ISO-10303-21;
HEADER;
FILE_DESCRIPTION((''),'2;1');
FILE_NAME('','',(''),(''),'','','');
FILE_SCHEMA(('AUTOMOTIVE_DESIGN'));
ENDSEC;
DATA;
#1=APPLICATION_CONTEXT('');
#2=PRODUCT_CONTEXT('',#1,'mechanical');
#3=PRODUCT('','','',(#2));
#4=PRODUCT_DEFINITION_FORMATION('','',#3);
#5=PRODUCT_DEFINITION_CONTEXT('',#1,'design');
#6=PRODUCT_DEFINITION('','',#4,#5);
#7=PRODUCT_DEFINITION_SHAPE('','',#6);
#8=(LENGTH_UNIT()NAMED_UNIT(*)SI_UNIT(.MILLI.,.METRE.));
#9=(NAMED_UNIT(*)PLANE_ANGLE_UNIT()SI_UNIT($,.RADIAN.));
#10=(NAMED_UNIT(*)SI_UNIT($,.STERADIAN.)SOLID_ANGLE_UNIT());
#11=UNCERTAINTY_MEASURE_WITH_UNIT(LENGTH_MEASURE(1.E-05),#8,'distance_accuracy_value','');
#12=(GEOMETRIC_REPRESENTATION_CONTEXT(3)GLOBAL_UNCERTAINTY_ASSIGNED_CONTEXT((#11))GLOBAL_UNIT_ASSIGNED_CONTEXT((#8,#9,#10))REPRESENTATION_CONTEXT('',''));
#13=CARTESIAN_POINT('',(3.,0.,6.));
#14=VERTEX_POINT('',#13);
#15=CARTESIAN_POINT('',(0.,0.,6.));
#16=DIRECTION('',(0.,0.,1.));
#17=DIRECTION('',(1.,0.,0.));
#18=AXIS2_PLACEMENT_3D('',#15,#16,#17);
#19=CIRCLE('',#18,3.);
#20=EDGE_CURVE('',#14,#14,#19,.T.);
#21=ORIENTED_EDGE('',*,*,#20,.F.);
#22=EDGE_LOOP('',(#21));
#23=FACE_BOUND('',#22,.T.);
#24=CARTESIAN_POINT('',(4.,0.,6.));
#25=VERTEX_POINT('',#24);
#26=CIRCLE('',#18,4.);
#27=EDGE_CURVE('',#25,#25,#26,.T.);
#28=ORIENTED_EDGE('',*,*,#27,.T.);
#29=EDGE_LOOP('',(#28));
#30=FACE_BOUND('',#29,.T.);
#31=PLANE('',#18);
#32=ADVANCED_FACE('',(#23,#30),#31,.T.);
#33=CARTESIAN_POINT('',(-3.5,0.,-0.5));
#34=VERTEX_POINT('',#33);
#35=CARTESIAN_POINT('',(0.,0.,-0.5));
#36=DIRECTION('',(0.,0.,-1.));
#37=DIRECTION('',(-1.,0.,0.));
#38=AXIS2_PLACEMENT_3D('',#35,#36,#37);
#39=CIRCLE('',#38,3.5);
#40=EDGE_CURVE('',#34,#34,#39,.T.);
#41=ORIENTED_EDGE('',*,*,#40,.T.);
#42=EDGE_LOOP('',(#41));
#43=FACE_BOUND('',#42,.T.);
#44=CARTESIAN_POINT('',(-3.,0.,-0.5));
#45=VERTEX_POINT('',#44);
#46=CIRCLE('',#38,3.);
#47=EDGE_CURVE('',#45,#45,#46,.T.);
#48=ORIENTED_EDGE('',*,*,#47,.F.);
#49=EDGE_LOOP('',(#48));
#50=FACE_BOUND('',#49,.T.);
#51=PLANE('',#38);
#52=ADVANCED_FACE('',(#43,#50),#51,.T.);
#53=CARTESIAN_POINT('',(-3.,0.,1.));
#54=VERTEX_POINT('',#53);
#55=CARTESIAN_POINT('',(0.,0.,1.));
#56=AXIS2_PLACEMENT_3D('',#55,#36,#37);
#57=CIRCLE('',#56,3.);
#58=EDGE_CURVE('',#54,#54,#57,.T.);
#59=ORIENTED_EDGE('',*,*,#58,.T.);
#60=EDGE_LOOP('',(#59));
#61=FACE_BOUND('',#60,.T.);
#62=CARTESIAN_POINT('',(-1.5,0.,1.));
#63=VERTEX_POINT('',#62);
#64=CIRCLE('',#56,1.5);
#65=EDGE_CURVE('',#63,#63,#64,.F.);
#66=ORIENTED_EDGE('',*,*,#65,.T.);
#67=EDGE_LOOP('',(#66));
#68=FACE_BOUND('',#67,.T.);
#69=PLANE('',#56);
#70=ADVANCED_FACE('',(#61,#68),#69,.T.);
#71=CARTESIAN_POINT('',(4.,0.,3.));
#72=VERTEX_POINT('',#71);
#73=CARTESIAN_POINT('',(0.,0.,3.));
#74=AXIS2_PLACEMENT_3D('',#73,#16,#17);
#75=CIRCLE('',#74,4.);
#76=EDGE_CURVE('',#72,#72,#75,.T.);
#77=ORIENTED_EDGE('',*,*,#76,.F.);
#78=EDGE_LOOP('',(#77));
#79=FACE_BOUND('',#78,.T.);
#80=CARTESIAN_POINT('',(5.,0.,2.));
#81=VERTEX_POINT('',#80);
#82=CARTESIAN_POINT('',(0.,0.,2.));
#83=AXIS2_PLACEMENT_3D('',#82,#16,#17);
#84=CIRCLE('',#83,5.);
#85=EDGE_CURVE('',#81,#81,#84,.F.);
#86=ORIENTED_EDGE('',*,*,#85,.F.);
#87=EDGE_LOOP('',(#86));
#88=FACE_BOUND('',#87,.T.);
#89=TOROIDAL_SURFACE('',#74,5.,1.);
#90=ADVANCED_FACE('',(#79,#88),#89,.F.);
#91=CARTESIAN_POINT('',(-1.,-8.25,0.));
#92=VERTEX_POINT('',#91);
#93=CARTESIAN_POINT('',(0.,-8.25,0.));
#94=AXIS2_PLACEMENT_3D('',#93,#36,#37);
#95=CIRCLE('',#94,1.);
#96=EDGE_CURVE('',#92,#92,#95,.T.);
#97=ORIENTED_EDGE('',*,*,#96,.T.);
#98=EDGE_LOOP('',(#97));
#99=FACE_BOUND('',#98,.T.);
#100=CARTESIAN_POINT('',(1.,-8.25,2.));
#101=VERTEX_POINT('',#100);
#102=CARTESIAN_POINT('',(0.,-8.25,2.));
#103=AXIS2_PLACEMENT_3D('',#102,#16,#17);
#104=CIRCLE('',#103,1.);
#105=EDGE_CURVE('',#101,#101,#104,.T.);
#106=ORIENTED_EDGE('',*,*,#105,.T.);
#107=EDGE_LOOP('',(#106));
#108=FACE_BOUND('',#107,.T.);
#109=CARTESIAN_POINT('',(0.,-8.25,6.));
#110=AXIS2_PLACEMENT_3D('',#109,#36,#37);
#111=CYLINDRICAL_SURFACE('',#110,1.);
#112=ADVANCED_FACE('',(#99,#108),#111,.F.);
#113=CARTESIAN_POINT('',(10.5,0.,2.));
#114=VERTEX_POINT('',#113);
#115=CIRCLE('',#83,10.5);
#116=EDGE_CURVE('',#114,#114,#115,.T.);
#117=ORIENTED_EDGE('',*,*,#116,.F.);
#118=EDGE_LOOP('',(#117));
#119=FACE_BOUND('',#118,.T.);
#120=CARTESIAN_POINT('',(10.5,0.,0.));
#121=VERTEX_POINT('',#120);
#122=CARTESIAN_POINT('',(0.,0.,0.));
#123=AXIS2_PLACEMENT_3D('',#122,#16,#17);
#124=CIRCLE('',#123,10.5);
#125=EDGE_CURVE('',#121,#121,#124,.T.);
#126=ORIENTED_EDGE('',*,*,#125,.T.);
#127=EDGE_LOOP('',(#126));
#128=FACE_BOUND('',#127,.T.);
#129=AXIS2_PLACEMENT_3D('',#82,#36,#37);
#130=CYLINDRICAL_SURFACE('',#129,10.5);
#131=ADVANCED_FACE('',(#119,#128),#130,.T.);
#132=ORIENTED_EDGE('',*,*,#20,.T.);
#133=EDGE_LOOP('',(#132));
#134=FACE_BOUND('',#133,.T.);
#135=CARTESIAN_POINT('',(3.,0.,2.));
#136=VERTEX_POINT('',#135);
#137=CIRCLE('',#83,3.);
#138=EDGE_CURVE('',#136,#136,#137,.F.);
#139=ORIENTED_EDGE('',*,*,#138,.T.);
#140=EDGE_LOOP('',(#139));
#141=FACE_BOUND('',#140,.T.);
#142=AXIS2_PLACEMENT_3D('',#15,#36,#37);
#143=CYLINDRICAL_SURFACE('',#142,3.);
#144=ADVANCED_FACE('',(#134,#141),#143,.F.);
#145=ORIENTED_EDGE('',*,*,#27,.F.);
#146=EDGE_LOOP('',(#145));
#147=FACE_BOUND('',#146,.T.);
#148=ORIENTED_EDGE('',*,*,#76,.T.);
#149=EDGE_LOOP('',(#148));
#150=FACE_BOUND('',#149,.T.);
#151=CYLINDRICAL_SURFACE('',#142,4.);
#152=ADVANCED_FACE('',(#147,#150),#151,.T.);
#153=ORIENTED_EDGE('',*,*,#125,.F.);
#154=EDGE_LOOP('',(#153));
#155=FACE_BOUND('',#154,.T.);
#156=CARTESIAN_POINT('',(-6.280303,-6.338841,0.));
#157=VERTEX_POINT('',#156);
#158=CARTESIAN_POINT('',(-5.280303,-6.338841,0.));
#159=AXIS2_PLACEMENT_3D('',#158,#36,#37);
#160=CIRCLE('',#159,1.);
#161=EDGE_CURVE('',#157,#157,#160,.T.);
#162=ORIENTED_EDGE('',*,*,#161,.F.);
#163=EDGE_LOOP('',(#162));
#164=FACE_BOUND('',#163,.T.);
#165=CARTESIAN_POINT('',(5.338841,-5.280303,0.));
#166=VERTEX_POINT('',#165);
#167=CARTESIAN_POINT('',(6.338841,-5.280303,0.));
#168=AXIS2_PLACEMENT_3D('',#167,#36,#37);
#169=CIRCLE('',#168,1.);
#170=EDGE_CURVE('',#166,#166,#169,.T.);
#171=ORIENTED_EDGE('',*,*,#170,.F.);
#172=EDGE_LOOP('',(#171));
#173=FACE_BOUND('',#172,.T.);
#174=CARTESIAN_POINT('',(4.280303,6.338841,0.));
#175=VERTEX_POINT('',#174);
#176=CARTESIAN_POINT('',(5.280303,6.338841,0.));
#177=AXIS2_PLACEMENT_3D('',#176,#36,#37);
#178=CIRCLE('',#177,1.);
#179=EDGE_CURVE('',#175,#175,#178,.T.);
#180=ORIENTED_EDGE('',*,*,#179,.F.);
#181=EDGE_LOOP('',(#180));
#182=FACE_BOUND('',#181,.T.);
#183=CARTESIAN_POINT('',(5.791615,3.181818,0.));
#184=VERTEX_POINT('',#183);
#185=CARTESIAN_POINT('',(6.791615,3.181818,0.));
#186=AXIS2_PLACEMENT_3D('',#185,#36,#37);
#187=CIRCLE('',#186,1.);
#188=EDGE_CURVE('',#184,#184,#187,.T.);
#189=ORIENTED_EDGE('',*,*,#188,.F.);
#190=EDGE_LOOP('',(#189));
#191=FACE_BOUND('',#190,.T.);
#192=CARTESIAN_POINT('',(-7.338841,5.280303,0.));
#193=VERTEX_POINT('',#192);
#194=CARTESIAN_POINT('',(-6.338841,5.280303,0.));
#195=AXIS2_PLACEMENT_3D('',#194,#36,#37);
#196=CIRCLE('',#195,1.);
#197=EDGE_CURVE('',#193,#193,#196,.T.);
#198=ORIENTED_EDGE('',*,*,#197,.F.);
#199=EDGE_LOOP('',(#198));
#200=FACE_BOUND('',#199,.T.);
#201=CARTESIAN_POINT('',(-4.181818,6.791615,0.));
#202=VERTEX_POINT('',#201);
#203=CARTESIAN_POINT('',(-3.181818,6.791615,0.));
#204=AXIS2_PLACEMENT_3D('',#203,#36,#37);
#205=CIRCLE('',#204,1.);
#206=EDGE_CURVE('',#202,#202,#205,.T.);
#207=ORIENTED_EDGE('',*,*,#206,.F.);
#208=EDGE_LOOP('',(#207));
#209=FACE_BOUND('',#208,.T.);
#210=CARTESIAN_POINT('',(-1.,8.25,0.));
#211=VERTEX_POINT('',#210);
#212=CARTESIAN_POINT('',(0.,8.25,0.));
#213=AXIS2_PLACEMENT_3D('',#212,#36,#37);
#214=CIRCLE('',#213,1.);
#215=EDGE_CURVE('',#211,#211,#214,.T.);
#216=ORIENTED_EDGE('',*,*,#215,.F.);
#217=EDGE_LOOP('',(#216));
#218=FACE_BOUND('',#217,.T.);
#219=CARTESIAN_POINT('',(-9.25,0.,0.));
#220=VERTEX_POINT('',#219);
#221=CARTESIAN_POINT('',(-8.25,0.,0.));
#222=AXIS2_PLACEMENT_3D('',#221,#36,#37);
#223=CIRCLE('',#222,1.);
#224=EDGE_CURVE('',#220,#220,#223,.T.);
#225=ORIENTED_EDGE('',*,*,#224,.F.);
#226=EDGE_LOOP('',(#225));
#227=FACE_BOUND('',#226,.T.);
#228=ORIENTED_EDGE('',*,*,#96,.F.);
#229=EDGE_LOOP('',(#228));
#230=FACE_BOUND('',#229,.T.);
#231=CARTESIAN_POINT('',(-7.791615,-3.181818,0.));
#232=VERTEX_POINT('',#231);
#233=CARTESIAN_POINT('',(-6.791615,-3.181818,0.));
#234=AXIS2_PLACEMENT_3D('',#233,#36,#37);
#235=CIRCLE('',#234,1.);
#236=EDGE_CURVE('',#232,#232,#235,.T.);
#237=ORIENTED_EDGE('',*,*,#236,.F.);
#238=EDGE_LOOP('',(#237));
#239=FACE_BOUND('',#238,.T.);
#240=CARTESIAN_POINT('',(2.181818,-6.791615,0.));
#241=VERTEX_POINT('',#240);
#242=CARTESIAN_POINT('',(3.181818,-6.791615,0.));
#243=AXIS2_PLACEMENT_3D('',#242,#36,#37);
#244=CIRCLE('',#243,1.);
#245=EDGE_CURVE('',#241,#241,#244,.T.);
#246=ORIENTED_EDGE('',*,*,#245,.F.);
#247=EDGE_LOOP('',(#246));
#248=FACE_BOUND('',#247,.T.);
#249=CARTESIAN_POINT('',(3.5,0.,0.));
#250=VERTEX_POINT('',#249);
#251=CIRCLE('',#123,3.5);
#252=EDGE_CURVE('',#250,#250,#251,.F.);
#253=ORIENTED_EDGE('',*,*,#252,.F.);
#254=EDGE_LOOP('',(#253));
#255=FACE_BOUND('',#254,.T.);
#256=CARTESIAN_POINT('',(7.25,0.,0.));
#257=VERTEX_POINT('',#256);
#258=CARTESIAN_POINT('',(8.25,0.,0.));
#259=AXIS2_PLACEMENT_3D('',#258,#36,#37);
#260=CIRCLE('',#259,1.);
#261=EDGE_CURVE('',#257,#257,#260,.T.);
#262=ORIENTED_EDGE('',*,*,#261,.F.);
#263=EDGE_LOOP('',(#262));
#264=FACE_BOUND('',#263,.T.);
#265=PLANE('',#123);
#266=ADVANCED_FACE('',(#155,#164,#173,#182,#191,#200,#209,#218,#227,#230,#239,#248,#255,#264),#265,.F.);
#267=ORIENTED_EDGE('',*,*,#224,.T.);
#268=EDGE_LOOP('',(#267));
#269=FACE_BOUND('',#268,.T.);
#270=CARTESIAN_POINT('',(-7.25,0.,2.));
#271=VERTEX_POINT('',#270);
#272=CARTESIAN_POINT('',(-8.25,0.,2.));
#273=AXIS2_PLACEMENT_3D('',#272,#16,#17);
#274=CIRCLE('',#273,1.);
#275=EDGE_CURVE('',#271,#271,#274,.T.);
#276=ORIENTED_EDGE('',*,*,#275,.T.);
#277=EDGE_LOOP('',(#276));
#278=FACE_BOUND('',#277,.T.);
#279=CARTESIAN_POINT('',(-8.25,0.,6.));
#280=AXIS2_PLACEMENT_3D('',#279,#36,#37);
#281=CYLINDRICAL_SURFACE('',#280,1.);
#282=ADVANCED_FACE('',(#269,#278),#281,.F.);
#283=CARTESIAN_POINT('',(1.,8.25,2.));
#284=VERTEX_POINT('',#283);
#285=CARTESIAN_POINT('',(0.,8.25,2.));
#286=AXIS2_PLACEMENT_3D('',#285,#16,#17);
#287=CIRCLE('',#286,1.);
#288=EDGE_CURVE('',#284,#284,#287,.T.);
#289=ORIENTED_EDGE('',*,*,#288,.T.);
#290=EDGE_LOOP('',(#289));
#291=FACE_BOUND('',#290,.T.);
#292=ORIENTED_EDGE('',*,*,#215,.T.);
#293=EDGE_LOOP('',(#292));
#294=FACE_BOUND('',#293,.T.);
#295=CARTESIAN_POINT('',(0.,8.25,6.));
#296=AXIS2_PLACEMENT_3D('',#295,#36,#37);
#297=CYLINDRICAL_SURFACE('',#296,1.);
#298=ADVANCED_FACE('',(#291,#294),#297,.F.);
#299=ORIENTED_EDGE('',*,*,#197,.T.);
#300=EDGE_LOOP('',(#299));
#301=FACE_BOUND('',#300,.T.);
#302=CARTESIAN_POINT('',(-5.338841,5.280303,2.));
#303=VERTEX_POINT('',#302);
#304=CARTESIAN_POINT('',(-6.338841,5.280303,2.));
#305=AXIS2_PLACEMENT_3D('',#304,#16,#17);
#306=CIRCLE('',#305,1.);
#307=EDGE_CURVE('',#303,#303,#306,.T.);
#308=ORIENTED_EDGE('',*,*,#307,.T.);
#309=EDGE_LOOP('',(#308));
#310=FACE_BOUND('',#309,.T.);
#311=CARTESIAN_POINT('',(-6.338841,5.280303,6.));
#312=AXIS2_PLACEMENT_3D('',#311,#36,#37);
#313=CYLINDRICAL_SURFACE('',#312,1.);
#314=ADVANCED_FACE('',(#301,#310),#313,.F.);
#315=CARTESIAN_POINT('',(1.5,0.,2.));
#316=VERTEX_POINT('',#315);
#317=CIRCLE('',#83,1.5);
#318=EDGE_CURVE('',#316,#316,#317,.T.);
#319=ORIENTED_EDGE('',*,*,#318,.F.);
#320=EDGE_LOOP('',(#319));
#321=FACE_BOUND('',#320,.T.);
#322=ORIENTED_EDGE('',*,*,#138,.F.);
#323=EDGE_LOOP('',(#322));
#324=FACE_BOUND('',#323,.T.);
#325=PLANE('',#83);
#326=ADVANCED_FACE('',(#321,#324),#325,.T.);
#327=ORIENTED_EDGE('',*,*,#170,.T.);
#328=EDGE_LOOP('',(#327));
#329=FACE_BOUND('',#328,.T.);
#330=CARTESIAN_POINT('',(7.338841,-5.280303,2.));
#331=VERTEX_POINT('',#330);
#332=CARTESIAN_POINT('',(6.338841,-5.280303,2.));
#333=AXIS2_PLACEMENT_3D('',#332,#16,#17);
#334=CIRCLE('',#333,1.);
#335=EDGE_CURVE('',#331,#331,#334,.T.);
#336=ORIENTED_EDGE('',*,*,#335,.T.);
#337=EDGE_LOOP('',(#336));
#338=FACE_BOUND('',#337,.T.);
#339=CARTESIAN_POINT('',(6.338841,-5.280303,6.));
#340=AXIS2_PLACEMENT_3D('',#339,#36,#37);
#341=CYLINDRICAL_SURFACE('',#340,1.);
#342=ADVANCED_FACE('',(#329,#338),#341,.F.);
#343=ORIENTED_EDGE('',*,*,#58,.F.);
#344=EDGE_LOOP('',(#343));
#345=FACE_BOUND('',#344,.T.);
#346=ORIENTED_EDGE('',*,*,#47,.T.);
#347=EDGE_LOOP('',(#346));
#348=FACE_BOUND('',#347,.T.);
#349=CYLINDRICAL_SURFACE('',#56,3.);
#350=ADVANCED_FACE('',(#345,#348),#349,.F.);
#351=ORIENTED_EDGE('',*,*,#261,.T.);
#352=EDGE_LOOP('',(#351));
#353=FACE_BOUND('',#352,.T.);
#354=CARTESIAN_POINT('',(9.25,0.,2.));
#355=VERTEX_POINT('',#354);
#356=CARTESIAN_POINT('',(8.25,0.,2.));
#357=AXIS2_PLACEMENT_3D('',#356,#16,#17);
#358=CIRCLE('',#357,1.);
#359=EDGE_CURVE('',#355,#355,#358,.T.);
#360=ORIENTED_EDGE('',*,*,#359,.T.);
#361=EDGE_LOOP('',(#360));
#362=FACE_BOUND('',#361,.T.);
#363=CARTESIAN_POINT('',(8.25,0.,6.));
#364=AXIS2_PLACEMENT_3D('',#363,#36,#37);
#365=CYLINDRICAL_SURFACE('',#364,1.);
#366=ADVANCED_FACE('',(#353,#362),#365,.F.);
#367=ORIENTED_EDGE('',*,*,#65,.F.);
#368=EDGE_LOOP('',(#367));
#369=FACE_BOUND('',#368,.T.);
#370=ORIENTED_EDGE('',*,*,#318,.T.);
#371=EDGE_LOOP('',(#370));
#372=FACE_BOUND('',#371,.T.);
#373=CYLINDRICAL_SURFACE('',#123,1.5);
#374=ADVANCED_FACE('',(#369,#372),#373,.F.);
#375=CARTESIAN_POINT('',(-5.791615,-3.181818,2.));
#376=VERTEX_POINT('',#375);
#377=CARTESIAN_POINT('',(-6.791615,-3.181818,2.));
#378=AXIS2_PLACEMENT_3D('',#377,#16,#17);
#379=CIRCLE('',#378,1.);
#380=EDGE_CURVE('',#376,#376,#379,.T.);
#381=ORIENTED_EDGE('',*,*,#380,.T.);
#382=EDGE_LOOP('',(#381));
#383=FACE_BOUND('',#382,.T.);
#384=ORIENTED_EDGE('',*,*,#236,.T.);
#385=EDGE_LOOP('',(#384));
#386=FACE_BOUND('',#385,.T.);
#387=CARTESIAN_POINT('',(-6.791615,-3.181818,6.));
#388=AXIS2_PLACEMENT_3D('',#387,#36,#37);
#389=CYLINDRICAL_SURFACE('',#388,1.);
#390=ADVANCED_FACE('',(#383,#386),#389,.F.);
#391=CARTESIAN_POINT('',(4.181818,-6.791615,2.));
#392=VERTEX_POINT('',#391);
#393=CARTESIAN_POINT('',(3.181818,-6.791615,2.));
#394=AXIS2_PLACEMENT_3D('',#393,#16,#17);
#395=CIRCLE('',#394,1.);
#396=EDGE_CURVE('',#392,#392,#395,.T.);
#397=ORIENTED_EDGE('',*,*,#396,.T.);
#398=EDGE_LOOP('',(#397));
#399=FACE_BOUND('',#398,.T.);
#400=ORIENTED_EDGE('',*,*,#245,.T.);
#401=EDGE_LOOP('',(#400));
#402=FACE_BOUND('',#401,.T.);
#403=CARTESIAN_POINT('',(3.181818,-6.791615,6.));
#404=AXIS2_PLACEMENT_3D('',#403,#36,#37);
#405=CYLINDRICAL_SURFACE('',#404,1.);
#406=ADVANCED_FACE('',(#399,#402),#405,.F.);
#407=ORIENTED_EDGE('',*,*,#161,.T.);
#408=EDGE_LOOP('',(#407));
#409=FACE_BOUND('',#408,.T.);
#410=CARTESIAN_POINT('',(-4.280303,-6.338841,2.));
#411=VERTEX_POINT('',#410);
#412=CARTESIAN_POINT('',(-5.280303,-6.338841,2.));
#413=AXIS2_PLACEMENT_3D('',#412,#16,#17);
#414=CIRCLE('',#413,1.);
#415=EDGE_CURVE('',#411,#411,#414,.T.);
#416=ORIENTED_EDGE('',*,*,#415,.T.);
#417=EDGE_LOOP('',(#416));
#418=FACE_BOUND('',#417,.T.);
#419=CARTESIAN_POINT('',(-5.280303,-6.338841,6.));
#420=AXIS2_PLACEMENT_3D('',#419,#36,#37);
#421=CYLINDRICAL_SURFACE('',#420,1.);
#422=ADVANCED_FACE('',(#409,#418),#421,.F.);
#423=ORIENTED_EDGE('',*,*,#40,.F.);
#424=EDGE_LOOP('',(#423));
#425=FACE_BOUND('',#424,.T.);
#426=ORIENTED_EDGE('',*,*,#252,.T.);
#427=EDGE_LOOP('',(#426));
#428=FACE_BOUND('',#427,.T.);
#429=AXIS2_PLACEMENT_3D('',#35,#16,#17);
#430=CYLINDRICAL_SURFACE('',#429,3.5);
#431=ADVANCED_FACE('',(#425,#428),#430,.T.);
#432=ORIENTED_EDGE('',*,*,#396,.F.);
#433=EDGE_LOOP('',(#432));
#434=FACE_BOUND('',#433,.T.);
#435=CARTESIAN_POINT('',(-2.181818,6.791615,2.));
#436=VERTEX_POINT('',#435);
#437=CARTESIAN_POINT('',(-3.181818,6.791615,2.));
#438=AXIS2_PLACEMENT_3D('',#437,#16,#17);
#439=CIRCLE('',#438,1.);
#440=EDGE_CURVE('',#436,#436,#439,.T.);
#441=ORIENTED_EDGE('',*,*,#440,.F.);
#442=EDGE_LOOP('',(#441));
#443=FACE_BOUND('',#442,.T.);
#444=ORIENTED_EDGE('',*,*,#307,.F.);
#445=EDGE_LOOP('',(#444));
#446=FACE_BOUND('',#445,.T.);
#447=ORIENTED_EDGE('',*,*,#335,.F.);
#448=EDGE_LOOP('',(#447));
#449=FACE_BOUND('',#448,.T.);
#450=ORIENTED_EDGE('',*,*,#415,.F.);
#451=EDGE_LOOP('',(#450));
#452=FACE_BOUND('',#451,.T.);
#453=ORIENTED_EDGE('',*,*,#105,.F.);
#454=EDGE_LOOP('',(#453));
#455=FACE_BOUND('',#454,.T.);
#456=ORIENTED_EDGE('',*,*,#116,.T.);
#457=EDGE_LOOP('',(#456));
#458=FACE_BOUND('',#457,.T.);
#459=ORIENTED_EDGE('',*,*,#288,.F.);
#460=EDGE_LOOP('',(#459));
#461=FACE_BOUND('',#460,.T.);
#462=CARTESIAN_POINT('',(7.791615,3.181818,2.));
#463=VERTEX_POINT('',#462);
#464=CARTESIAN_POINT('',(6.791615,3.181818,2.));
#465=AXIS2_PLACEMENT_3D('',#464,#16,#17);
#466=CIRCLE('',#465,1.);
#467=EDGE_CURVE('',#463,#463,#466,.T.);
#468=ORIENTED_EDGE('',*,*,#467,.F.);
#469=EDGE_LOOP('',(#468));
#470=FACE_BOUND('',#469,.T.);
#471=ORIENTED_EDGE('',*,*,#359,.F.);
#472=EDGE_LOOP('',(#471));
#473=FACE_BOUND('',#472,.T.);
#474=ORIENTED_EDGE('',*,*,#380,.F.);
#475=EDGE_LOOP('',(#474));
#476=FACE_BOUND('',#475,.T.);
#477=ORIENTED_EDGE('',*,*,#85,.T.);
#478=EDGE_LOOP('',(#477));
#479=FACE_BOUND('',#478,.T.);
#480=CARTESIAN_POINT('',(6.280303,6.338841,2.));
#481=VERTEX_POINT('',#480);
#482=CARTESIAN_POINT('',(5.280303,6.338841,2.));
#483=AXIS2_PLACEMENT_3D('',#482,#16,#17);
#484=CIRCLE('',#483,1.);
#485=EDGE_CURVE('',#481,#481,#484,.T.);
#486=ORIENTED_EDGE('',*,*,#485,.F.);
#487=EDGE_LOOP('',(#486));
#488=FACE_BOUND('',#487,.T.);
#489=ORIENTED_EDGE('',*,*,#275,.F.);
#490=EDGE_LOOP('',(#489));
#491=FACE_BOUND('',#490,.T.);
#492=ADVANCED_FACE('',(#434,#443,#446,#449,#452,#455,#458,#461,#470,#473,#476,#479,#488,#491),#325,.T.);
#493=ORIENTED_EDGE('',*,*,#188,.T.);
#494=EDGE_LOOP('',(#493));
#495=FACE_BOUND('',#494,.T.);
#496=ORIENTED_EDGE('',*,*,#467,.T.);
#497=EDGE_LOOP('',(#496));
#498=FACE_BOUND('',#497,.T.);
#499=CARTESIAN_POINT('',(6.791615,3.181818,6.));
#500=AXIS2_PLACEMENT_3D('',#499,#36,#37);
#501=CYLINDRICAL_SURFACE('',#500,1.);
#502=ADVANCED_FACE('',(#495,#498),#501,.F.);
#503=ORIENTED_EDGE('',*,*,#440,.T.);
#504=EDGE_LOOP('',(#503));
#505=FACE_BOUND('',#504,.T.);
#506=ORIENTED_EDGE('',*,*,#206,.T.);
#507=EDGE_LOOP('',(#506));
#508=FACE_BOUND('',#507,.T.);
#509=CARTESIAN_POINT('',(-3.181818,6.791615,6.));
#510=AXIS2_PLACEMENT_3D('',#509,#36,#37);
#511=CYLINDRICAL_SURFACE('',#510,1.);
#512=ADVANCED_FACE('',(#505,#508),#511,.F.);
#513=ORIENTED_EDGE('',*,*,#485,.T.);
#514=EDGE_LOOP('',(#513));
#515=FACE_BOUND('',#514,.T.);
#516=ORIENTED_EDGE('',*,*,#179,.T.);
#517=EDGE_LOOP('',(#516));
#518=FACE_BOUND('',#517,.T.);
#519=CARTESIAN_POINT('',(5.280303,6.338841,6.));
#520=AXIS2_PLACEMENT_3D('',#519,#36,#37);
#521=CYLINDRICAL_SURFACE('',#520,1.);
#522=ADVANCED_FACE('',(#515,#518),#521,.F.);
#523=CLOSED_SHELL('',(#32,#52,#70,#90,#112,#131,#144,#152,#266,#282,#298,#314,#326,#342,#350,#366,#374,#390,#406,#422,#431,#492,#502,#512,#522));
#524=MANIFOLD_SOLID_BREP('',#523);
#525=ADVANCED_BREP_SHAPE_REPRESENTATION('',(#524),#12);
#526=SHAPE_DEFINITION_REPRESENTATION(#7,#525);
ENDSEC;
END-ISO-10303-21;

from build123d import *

# Parameters (mm, degrees)
SKETCH_1_R          = 10.5
EXTRUDE_1_DEPTH     = 2
SKETCH_2_R          = 4
SKETCH_2_R_2        = 3
EXTRUDE_2_DEPTH     = 4
SKETCH_5_R          = 1.5
CUT_EXTRUDE_2_DEPTH = 16.378556499
FILLET_1_R          = 1
SKETCH_6_R          = 3.5
EXTRUDE_3_DEPTH     = 0.5
SKETCH_8_R          = 3
CUT_EXTRUDE_3_DEPTH = 1.5
SKETCH_9_R          = 1
CUT_EXTRUDE_5_DEPTH = 17.015617378


with BuildPart() as part:
    # 草圖1 → 伸長1 (new body)
    with BuildSketch(Plane.XY):
        Circle(SKETCH_1_R)
    extrude(amount=EXTRUDE_1_DEPTH)

    # 草圖2 → 伸長2 (add)
    with BuildSketch(Plane.XY.offset(2)):
        Circle(SKETCH_2_R)
        Circle(SKETCH_2_R_2, mode=Mode.SUBTRACT)
    extrude(amount=EXTRUDE_2_DEPTH)

    # 草圖5 → 除料-伸長2 (cut, through all)
    with BuildSketch(Plane.XY.offset(2)):
        Circle(SKETCH_5_R)
    extrude(amount=-CUT_EXTRUDE_2_DEPTH, mode=Mode.SUBTRACT)

    # 圓角1
    fillet_1_edges = [part.edges().sort_by_distance(p)[0] for p in [
        (-4, 0, 2),
    ]]
    fillet(fillet_1_edges, radius=FILLET_1_R)

    # 草圖6 → 伸長3 (add)
    with BuildSketch(Plane(origin=(0, 0, 0), x_dir=(-1, 0, 0), z_dir=(0, 0, -1))):
        with Locations(Location((0, 0, 0), (0, 0, 180))):
            Circle(SKETCH_6_R)
    extrude(amount=EXTRUDE_3_DEPTH)

    # 草圖8 → 除料-伸長3 (cut)
    with BuildSketch(Plane(origin=(0, 0, -0.5), x_dir=(-1, 0, 0), z_dir=(0, 0, -1))):
        with Locations(Location((0, 0, 0), (0, 0, 180))):
            Circle(SKETCH_8_R)
    extrude(amount=-CUT_EXTRUDE_3_DEPTH, mode=Mode.SUBTRACT)

    # 草圖9 → 除料-伸長5 (cut, through all)
    with BuildSketch(Plane(origin=(0, 0, 0), x_dir=(-1, 0, 0), z_dir=(0, 0, -1))):
        with Locations((8.25, 0)):
            Circle(SKETCH_9_R)
        with Locations((0, -8.25)):
            Circle(SKETCH_9_R)
        with Locations((-8.25, 0)):
            Circle(SKETCH_9_R)
        with Locations((0, 8.25)):
            Circle(SKETCH_9_R)
        with Locations((5.28030303, -6.338840581)):
            Circle(SKETCH_9_R)
        with Locations((-6.338840581, -5.28030303)):
            Circle(SKETCH_9_R)
        with Locations((-5.28030303, 6.338840581)):
            Circle(SKETCH_9_R)
        with Locations((6.338840581, 5.28030303)):
            Circle(SKETCH_9_R)
        with Locations((6.791614908, -3.181818182)):
            Circle(SKETCH_9_R)
        with Locations((-3.181818182, -6.791614908)):
            Circle(SKETCH_9_R)
        with Locations((-6.791614908, 3.181818182)):
            Circle(SKETCH_9_R)
        with Locations((3.181818182, 6.791614908)):
            Circle(SKETCH_9_R)
    extrude(amount=-CUT_EXTRUDE_5_DEPTH, mode=Mode.SUBTRACT)


solid = part.part
